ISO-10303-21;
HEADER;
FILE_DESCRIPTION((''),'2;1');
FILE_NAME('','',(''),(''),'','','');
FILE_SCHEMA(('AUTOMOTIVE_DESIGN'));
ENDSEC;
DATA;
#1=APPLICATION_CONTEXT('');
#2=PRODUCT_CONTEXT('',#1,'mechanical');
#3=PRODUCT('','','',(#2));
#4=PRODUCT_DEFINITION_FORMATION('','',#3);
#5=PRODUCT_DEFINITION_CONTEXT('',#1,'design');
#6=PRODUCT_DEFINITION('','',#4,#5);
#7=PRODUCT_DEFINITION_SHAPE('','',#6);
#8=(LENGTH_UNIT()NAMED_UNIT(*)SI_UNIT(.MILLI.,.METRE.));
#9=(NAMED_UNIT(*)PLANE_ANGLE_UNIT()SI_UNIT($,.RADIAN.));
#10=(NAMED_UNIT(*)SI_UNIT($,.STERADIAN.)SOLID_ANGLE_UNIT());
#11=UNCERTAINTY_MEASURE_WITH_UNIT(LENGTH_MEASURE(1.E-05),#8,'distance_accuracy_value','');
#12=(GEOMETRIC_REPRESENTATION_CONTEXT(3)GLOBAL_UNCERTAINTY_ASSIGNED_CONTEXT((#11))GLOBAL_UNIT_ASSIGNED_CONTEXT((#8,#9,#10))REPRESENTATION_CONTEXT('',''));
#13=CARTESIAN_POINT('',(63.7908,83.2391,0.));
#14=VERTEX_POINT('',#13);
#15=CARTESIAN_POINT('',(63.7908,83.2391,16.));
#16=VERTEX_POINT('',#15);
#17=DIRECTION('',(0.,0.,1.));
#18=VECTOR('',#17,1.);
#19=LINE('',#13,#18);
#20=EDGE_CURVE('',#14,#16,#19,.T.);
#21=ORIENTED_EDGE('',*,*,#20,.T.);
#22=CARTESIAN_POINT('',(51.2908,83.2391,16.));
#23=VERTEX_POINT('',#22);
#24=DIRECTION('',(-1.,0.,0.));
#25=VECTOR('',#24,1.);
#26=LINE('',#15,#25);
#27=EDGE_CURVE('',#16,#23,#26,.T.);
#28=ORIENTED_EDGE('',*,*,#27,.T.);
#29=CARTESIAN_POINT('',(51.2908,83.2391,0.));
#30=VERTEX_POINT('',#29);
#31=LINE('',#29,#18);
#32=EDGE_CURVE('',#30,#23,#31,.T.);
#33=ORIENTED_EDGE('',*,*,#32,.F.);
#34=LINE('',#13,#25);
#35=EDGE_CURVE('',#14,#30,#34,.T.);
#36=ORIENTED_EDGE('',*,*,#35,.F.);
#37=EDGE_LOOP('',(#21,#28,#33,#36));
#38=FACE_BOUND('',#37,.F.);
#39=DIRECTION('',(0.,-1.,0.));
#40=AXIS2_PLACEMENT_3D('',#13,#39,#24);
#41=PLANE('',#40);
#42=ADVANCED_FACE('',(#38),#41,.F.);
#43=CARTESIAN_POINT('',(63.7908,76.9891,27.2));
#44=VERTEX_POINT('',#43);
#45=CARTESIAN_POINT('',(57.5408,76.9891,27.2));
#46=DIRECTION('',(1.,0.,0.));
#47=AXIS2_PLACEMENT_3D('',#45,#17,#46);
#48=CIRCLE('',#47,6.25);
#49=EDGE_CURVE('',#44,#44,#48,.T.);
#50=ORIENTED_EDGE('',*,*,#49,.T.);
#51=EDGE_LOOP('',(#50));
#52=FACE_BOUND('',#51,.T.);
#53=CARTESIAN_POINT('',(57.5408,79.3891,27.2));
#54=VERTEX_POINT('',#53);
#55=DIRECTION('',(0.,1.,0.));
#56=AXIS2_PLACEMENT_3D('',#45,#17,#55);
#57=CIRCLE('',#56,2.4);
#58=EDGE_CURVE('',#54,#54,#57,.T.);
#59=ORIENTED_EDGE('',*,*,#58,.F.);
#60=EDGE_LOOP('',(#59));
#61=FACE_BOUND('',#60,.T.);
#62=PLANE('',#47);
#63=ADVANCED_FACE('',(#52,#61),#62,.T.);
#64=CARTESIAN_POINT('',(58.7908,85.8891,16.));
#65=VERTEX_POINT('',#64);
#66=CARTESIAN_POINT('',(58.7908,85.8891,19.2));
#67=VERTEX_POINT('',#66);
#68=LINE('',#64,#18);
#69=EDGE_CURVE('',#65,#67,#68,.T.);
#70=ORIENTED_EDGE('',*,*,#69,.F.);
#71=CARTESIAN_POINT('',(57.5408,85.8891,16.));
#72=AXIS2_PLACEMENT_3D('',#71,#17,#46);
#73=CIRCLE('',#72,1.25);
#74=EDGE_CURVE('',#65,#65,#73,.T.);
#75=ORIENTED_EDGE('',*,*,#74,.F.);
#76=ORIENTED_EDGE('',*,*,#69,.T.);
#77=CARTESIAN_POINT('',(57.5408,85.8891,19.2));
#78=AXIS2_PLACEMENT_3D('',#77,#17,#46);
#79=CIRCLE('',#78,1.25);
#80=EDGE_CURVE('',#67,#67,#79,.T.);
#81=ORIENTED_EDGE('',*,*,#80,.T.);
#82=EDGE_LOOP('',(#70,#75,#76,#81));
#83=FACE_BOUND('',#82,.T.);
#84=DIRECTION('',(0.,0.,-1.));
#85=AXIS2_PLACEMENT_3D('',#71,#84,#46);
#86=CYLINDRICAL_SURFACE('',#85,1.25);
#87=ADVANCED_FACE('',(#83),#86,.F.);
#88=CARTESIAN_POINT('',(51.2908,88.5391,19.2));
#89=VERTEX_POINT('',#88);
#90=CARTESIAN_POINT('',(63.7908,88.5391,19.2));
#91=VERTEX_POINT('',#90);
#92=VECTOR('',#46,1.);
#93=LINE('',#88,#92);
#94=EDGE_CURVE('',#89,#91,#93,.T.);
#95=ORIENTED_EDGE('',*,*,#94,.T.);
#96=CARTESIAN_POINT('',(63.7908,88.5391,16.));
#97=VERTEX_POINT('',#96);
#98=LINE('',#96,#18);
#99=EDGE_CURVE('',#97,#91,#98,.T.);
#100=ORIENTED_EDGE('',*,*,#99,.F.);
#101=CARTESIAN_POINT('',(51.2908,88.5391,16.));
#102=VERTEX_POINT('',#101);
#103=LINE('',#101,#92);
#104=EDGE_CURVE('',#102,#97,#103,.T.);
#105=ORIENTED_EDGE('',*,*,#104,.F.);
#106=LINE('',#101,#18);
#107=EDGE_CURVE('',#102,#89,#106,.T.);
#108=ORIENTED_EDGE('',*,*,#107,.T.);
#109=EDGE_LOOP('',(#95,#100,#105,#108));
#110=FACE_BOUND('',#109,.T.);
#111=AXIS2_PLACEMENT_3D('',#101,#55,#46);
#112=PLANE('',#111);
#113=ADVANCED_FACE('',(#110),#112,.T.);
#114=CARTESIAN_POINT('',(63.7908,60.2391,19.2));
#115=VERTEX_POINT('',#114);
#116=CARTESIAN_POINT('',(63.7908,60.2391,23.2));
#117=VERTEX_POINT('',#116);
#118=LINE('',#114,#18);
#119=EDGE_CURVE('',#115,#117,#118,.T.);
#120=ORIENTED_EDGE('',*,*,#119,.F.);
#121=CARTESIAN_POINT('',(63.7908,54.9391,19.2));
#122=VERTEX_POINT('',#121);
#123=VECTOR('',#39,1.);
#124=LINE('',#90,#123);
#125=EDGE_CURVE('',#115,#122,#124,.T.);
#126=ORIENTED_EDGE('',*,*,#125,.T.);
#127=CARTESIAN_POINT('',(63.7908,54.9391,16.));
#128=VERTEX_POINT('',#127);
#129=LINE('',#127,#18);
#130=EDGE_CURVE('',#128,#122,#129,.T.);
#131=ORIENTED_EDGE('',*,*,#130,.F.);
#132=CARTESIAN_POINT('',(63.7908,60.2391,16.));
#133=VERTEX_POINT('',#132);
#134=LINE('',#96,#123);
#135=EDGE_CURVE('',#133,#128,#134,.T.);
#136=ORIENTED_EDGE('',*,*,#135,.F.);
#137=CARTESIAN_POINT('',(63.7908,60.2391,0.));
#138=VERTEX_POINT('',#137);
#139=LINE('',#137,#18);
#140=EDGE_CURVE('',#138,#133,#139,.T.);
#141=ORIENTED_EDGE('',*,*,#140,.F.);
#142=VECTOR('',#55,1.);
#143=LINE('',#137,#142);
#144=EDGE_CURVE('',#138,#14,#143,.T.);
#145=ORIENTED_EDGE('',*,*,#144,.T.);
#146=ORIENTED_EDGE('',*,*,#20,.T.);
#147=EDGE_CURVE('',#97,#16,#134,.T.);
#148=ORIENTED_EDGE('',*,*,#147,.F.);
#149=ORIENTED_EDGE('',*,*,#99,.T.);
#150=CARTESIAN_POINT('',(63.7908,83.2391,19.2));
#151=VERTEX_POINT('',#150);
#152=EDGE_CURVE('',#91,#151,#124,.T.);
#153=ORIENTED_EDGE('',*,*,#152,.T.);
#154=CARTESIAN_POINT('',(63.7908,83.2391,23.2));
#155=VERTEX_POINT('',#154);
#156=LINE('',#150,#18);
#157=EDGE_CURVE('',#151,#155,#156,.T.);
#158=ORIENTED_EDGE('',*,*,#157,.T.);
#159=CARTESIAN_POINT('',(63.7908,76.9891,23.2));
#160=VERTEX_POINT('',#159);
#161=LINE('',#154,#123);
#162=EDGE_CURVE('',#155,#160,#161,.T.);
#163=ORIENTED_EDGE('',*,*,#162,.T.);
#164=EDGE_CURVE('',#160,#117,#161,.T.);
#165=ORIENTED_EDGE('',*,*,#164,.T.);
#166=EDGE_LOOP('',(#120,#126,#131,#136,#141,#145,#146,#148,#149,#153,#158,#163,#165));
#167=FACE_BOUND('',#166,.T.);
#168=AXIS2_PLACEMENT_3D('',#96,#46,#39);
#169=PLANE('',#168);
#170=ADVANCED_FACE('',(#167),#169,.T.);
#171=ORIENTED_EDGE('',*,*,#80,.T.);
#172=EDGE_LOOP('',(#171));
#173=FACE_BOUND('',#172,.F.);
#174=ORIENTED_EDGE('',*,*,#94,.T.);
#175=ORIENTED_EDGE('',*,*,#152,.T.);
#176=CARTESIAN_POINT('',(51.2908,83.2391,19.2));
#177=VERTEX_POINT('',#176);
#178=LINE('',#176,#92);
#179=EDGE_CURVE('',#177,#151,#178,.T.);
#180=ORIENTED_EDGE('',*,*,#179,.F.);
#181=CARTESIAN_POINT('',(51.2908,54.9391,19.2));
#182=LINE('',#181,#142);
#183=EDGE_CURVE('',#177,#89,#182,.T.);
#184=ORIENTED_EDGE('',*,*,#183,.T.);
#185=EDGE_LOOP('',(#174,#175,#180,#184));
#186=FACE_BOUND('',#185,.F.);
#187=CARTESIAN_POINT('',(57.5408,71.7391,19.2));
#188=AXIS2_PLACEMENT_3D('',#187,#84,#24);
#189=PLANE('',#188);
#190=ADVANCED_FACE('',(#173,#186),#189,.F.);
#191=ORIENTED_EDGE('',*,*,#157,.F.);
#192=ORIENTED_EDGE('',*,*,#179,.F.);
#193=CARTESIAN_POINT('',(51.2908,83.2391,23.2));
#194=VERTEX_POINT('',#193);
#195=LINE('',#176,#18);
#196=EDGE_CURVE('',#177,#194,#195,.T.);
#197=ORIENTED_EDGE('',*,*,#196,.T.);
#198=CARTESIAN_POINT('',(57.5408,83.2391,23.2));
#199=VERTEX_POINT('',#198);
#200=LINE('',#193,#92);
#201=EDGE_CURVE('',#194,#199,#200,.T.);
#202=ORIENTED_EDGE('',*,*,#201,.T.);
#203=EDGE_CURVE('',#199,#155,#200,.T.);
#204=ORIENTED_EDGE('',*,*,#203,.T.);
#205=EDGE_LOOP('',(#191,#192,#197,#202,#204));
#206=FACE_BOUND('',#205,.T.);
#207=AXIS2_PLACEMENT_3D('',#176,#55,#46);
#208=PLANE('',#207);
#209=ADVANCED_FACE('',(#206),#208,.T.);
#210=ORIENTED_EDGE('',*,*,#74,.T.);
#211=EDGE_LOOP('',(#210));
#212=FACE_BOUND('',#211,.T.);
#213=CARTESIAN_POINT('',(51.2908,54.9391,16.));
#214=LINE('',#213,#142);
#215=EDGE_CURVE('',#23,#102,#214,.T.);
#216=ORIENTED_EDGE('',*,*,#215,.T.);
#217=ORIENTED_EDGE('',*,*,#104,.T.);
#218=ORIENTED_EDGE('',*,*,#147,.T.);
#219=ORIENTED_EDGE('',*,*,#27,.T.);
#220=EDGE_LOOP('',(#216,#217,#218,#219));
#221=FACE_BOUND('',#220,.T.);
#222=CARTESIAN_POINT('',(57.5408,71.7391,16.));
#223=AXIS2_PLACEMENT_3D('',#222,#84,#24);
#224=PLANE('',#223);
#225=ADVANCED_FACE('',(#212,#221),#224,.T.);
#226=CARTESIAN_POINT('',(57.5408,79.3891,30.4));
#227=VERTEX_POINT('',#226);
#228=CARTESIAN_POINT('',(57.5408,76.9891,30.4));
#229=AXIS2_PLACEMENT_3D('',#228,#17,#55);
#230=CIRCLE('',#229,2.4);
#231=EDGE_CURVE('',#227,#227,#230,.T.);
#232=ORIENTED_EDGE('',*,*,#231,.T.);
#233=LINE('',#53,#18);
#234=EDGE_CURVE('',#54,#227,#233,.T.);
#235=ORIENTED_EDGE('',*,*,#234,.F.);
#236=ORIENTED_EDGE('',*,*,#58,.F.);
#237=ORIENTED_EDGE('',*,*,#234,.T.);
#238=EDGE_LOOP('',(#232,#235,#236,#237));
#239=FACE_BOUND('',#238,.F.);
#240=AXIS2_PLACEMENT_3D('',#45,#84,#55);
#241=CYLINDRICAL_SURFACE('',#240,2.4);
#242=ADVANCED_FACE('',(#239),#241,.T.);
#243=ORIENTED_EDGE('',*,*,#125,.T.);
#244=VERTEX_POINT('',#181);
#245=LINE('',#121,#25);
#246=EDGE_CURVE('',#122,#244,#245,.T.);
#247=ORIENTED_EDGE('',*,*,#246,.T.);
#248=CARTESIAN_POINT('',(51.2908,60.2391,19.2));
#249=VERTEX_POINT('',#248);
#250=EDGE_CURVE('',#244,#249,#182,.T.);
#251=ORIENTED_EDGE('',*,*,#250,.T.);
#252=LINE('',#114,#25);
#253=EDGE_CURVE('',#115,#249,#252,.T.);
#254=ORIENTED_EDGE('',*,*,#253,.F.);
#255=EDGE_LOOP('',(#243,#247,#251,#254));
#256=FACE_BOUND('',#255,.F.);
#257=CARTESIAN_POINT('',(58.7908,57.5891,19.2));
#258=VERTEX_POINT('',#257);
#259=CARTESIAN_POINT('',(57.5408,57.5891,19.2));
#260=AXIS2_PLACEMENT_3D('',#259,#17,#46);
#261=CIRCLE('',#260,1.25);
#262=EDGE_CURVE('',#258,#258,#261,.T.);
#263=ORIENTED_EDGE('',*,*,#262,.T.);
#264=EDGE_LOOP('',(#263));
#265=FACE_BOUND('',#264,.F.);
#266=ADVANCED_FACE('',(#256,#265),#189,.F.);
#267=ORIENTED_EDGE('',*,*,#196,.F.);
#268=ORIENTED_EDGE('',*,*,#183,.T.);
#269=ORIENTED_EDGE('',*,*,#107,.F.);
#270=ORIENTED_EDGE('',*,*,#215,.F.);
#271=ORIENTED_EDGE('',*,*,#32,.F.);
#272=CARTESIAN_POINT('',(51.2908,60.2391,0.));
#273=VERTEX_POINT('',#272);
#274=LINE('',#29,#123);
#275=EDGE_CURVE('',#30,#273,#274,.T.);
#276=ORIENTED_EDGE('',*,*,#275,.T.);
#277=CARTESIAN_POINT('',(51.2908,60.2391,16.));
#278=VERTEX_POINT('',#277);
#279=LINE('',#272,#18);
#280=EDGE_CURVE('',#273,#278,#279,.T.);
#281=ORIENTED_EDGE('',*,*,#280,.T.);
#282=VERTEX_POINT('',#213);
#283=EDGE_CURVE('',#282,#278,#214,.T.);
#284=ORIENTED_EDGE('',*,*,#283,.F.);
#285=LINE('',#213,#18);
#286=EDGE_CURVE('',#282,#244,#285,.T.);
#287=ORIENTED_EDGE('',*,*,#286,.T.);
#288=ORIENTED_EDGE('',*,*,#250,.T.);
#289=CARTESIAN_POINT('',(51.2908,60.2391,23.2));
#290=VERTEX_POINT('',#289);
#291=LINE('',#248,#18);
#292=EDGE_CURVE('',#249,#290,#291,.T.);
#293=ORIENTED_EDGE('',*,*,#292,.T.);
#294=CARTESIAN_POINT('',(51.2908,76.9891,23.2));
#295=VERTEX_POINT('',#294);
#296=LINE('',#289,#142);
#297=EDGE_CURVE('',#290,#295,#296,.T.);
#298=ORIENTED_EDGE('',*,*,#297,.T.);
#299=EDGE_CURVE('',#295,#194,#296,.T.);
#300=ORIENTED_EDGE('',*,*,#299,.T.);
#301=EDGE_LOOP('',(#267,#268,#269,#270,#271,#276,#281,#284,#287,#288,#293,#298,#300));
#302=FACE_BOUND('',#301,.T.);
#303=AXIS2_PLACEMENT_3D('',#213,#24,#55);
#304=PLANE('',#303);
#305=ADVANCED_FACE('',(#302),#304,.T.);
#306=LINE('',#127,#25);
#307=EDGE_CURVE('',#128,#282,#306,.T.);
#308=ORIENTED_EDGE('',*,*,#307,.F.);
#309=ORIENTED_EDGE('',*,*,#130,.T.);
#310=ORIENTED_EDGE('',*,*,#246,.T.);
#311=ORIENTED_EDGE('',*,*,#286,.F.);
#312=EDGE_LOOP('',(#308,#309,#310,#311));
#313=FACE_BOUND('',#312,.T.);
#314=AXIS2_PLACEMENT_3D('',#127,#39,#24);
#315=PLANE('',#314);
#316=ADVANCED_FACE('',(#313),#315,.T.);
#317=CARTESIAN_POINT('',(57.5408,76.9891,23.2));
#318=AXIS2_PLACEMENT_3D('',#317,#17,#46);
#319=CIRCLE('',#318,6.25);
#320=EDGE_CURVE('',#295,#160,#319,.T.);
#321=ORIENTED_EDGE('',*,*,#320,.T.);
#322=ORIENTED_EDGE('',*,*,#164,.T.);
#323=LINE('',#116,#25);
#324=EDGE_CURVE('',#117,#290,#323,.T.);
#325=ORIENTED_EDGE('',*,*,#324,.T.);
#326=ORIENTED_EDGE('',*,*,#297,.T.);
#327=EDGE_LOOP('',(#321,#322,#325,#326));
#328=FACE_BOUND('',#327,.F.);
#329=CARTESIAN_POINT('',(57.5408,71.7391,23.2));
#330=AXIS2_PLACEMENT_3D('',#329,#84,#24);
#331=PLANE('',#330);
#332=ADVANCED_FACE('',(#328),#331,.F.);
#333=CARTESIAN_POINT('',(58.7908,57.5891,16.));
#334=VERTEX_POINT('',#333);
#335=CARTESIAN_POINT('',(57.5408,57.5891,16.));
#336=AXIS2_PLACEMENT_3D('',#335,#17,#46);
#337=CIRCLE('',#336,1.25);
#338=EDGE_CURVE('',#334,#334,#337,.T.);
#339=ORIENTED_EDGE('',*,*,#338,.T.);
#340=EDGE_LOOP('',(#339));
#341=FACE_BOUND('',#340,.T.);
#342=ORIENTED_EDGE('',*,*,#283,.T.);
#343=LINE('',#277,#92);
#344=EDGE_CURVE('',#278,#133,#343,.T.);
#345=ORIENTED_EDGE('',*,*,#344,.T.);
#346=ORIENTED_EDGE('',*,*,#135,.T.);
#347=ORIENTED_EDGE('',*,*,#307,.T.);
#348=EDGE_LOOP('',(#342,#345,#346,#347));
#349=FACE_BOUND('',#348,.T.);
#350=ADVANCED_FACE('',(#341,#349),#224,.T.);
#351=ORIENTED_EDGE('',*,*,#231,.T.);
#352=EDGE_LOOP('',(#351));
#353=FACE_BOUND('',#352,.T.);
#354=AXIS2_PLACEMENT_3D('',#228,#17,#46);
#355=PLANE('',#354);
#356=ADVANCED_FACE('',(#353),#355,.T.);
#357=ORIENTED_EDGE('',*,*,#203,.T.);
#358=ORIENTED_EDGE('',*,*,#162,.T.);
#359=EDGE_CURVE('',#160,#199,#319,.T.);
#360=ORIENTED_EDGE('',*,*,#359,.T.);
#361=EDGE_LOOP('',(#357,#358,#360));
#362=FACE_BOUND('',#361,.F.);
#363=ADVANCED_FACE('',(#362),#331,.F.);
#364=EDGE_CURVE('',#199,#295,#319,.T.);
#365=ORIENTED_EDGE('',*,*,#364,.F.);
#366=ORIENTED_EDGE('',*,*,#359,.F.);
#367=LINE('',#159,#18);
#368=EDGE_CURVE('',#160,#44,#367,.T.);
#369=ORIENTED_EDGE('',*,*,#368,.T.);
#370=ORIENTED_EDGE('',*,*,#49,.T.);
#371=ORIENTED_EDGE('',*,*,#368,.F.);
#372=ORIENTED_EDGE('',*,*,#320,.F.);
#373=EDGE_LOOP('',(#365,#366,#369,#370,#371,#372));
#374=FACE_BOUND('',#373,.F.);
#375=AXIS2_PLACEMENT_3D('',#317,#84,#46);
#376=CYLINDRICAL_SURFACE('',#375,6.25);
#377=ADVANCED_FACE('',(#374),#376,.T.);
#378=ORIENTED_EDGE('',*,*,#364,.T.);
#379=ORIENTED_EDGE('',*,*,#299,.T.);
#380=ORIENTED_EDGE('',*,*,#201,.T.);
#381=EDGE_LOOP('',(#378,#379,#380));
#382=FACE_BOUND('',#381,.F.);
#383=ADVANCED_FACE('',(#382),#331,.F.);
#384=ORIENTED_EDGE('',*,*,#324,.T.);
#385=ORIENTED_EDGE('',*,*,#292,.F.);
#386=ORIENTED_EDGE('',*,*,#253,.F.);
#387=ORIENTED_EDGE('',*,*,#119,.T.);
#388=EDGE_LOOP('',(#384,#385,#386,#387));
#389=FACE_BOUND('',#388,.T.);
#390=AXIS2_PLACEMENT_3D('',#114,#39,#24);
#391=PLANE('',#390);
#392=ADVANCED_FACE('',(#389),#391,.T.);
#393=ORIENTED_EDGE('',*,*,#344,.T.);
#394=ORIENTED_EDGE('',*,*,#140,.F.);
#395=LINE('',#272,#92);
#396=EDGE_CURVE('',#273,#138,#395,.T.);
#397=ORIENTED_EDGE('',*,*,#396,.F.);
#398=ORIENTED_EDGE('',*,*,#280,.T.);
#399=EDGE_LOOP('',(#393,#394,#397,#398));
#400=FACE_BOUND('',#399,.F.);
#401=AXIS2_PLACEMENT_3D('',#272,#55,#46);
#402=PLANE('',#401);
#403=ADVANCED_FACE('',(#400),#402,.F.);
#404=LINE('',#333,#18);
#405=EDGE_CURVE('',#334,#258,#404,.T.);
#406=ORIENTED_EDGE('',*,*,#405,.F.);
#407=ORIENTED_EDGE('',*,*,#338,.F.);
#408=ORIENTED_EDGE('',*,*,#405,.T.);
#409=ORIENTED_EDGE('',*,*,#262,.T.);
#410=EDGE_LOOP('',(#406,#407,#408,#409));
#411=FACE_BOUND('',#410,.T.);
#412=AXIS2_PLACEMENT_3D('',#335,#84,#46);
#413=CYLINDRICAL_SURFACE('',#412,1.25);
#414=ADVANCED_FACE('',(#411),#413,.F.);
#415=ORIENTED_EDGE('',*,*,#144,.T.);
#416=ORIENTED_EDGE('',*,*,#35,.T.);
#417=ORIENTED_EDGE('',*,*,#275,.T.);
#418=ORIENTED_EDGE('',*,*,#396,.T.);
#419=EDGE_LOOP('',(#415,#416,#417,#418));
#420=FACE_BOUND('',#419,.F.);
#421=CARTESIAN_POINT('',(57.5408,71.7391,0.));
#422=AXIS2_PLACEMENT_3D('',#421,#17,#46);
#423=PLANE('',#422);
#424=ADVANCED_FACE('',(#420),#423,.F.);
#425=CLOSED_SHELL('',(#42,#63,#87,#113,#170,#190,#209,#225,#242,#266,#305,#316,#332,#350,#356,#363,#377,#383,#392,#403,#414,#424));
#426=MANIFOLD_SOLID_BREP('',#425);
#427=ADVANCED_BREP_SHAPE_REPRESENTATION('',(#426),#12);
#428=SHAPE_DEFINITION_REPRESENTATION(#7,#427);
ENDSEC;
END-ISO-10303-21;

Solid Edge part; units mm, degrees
sketch "Sketch1" plane through (0, 0, 0) normal (0, 0, 1) x (1, 0, 0)
  line L0 (51.2908, 60.2391) -> (63.7908, 60.2391)
  line L1 (63.7908, 60.2391) -> (63.7908, 83.2391)
  line L2 (63.7908, 83.2391) -> (51.2908, 83.2391)
  line L3 (51.2908, 83.2391) -> (51.2908, 60.2391)
extrude "Protrusion1" add sketch "Sketch1" along normal blind 16
sketch "Sketch2" plane through (57.5408, 71.7391, 16) normal (0, 0, 1) x (1, 0, 0)
  circle A0 centre (0, 14.15) radius 1.25
  circle A1 centre (0, -14.15) radius 1.25
  line L0 (-6.25, 16.8) -> (6.25, 16.8)
  line L1 (6.25, 16.8) -> (6.25, -16.8)
  line L2 (6.25, -16.8) -> (-6.25, -16.8)
  line L3 (-6.25, -16.8) -> (-6.25, 16.8)
extrude "flange" add sketch "Sketch2" along normal blind 3.2
sketch "Sketch3" plane through (57.5408, 71.7391, 19.2) normal (0, 0, 1) x (1, 0, 0)
  line L0 (-6.25, 11.5) -> (6.25, 11.5)
  line L1 (6.25, 11.5) -> (6.25, -11.5)
  line L2 (6.25, -11.5) -> (-6.25, -11.5)
  line L3 (-6.25, -11.5) -> (-6.25, 11.5)
extrude "top" add sketch "Sketch3" along normal blind 4
sketch "Sketch4" plane through (57.5408, 71.7391, 23.2) normal (0, 0, 1) x (1, 0, 0)
  circle A0 centre (0, 5.25) radius 6.25
extrude "ExtrudedProtrusion_4" add sketch "Sketch4" along normal blind 4
sketch "Sketch5" plane through (57.5408, 76.9891, 27.2) normal (0, 0, 1) x (0, 1, 0)
  circle A0 centre (0, 0) radius 2.4
extrude "ExtrudedProtrusion_5" add sketch "Sketch5" along normal blind 3.2
